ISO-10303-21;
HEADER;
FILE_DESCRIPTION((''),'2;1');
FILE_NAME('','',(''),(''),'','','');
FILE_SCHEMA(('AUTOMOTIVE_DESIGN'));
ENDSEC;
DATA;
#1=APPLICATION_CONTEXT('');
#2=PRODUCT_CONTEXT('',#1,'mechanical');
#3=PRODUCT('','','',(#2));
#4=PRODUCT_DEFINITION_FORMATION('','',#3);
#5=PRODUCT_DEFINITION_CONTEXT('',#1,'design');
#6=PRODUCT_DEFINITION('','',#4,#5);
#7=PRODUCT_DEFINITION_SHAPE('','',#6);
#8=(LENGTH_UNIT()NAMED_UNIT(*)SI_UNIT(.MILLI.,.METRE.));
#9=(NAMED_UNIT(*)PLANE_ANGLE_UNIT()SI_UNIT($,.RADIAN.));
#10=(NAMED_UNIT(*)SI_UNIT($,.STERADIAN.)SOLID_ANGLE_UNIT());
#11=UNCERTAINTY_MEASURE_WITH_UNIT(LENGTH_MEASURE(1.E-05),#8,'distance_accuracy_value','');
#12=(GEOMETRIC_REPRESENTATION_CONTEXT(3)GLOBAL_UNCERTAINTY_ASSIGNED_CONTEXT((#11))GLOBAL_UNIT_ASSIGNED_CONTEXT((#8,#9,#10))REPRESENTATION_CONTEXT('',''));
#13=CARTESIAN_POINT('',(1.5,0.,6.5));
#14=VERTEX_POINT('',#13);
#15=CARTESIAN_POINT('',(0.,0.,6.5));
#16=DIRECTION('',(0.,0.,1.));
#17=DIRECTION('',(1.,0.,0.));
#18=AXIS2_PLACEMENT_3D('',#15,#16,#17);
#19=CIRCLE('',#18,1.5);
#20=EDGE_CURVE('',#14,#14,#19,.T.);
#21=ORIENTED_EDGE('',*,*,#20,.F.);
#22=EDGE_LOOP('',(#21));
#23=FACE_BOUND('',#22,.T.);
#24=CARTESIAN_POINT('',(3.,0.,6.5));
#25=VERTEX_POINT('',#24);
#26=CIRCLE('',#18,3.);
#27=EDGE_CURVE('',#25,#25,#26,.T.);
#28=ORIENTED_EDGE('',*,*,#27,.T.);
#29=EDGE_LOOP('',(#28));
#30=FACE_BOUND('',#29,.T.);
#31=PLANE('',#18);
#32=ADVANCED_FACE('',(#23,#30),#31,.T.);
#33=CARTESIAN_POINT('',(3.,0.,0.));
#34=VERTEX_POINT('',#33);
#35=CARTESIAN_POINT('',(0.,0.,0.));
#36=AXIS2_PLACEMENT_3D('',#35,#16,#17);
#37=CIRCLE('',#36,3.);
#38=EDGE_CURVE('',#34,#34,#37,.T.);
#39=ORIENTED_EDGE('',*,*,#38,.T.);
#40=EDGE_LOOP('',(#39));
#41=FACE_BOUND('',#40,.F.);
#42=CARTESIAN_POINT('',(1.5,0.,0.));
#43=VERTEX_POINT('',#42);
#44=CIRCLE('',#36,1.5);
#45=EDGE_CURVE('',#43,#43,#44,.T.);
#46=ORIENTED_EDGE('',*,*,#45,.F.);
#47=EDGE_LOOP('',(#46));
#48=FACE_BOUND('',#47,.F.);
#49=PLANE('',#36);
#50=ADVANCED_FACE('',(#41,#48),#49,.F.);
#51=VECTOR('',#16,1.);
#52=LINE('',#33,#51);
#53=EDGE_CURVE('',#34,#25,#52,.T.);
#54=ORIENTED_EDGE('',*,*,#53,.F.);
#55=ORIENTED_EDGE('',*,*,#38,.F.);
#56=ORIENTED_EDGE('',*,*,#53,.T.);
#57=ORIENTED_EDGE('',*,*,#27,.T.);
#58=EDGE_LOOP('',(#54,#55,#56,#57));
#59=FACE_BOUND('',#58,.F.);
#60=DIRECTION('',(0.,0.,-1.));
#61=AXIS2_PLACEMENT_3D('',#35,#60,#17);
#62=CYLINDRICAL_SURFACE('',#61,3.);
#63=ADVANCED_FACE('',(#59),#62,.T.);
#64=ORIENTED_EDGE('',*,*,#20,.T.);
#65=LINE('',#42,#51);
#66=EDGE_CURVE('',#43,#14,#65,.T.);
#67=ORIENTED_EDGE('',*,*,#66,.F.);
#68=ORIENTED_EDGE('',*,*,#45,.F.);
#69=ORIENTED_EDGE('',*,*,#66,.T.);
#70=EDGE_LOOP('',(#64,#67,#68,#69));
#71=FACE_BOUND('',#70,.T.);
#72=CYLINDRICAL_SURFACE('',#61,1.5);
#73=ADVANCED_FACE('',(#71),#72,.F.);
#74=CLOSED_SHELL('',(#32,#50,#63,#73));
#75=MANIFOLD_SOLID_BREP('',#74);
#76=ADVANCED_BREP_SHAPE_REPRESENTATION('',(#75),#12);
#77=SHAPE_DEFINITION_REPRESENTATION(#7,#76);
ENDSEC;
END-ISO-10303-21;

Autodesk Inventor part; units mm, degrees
ref_plane "YZ Plane" through (0, 0, 0) normal (1, 0, 0) x (0, 1, 0)
ref_plane "XZ Plane" through (0, 0, 0) normal (0, 1, 0) x (-1, 0, 0)
ref_plane "XY Plane" through (0, 0, 0) normal (0, 0, 1) x (1, 0, 0)
sketch "スケッチ1" plane through (0, 0, 0) normal (0, 0, 1) x (1, 0, 0)
  circle A0 centre (0, 0) radius 3
  circle A1 centre (0, 0) radius 1.5
  dimension "d0" = 6
  dimension "d1" = 3
extrude "押し出し1" add sketch "スケッチ1" along normal blind 6.5
properties part number "スペーサーm3-6.5　簡易筒型" material "アルミニウム 2014-T4"
